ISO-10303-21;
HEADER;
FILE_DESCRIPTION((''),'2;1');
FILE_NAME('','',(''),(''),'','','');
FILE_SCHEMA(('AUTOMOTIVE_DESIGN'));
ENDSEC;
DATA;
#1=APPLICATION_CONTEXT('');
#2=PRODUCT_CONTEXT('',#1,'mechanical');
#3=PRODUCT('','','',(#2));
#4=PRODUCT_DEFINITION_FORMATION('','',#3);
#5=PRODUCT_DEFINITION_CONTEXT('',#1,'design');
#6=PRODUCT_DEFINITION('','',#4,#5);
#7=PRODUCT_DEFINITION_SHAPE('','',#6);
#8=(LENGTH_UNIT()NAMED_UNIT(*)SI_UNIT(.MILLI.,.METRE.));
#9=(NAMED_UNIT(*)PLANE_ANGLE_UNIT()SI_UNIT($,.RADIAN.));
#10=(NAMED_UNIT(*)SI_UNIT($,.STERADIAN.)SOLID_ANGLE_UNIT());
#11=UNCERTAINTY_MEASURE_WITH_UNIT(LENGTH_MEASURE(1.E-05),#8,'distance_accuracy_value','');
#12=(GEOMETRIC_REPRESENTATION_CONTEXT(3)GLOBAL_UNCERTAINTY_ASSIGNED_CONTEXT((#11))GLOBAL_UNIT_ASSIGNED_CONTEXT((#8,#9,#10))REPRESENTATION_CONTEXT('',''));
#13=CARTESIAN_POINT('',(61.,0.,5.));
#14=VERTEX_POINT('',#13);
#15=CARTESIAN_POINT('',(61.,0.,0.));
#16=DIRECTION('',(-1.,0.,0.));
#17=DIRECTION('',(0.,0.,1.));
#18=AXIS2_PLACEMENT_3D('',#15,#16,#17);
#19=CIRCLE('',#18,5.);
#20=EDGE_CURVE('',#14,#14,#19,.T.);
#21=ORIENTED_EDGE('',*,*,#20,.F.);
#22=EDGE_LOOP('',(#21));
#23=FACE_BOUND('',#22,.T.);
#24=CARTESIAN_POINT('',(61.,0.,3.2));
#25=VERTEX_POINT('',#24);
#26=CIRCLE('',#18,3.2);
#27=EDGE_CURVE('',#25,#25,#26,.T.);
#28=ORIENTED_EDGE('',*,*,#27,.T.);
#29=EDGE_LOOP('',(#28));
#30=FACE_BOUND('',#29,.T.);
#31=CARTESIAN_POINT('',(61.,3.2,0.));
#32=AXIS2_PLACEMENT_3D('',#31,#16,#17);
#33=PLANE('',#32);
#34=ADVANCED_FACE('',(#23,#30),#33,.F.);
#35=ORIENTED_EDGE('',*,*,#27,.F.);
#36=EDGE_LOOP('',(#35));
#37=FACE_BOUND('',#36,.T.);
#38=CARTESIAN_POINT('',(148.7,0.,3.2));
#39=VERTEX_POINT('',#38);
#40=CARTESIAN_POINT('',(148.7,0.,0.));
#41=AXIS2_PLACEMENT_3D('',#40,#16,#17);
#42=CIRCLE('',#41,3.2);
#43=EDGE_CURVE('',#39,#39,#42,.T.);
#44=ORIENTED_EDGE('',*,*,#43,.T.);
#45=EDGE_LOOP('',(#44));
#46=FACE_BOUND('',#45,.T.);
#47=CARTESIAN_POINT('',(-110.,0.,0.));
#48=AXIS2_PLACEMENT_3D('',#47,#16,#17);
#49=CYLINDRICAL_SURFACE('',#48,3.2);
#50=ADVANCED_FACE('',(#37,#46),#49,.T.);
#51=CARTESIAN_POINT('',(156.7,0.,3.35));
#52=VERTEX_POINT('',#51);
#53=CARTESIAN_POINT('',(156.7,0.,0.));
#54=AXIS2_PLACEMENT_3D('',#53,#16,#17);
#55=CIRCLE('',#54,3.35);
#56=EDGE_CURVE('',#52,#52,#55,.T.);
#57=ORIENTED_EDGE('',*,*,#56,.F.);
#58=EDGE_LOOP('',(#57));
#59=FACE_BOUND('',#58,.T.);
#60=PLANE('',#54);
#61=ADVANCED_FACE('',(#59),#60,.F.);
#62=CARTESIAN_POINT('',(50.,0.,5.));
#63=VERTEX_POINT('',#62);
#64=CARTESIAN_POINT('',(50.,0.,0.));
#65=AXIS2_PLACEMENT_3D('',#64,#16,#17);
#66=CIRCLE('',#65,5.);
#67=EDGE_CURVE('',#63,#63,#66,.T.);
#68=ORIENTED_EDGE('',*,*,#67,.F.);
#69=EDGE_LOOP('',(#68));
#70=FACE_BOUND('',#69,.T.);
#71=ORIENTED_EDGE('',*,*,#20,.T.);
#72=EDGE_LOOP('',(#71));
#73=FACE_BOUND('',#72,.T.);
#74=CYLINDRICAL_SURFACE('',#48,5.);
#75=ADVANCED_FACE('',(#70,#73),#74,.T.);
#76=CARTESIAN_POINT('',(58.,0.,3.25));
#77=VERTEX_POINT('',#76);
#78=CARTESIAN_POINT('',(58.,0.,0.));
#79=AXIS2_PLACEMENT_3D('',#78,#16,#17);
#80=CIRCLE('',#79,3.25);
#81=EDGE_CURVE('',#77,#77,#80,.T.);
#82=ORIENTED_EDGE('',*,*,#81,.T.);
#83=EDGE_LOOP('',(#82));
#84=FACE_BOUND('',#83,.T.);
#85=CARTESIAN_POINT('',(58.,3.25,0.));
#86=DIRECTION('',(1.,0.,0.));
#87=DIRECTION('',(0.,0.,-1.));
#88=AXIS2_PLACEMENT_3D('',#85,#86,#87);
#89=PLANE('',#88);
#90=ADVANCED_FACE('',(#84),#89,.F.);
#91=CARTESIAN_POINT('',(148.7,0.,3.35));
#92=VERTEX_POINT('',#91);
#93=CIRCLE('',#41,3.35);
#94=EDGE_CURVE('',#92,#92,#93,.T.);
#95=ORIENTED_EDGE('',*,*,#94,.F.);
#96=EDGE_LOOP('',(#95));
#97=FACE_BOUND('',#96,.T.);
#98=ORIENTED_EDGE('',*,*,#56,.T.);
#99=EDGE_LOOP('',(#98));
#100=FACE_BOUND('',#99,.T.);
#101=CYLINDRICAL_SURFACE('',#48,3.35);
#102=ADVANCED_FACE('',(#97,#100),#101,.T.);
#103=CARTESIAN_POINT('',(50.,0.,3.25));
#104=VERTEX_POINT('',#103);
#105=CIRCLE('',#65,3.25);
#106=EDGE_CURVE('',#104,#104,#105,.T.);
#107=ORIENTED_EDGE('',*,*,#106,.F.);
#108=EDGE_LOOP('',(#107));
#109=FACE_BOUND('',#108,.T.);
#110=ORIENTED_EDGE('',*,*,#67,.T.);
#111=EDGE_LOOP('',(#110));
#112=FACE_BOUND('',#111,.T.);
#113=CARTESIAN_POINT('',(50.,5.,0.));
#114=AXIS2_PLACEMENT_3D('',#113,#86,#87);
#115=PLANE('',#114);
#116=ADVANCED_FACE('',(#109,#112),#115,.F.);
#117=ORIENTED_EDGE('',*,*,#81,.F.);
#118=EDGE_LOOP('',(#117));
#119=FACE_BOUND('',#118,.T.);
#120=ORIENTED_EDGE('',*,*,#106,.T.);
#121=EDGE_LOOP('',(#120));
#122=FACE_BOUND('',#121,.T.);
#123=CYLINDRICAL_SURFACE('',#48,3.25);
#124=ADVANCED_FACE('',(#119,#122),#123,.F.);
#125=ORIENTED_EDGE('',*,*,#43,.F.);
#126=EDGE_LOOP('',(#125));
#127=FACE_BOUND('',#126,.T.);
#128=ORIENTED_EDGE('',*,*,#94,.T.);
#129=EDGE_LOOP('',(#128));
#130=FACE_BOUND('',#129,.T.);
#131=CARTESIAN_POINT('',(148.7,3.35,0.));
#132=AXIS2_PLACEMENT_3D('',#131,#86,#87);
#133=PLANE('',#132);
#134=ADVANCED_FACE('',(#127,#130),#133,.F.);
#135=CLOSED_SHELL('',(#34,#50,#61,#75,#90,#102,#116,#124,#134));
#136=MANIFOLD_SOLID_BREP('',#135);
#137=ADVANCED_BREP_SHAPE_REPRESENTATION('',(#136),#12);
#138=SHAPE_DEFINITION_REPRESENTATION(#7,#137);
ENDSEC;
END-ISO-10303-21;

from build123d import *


with BuildPart() as part:
    # Axial profile (mm) → Full revolution (revolve)
    with BuildSketch(Plane.XY, mode=Mode.PRIVATE) as full_revolution_sk:
        Polygon((50, 3.25), (58, 3.25), (58, 0), (156.7, 0), (156.7, 3.35), (148.7, 3.35), (148.7, 3.2), (61, 3.2), (61, 5), (50, 5), align=None)
    revolve(full_revolution_sk.sketch.rotate(Axis((-110, 0, 0), (1, 0, 0)), 90), axis=Axis((-110, 0, 0), (1, 0, 0)))


solid = part.part
